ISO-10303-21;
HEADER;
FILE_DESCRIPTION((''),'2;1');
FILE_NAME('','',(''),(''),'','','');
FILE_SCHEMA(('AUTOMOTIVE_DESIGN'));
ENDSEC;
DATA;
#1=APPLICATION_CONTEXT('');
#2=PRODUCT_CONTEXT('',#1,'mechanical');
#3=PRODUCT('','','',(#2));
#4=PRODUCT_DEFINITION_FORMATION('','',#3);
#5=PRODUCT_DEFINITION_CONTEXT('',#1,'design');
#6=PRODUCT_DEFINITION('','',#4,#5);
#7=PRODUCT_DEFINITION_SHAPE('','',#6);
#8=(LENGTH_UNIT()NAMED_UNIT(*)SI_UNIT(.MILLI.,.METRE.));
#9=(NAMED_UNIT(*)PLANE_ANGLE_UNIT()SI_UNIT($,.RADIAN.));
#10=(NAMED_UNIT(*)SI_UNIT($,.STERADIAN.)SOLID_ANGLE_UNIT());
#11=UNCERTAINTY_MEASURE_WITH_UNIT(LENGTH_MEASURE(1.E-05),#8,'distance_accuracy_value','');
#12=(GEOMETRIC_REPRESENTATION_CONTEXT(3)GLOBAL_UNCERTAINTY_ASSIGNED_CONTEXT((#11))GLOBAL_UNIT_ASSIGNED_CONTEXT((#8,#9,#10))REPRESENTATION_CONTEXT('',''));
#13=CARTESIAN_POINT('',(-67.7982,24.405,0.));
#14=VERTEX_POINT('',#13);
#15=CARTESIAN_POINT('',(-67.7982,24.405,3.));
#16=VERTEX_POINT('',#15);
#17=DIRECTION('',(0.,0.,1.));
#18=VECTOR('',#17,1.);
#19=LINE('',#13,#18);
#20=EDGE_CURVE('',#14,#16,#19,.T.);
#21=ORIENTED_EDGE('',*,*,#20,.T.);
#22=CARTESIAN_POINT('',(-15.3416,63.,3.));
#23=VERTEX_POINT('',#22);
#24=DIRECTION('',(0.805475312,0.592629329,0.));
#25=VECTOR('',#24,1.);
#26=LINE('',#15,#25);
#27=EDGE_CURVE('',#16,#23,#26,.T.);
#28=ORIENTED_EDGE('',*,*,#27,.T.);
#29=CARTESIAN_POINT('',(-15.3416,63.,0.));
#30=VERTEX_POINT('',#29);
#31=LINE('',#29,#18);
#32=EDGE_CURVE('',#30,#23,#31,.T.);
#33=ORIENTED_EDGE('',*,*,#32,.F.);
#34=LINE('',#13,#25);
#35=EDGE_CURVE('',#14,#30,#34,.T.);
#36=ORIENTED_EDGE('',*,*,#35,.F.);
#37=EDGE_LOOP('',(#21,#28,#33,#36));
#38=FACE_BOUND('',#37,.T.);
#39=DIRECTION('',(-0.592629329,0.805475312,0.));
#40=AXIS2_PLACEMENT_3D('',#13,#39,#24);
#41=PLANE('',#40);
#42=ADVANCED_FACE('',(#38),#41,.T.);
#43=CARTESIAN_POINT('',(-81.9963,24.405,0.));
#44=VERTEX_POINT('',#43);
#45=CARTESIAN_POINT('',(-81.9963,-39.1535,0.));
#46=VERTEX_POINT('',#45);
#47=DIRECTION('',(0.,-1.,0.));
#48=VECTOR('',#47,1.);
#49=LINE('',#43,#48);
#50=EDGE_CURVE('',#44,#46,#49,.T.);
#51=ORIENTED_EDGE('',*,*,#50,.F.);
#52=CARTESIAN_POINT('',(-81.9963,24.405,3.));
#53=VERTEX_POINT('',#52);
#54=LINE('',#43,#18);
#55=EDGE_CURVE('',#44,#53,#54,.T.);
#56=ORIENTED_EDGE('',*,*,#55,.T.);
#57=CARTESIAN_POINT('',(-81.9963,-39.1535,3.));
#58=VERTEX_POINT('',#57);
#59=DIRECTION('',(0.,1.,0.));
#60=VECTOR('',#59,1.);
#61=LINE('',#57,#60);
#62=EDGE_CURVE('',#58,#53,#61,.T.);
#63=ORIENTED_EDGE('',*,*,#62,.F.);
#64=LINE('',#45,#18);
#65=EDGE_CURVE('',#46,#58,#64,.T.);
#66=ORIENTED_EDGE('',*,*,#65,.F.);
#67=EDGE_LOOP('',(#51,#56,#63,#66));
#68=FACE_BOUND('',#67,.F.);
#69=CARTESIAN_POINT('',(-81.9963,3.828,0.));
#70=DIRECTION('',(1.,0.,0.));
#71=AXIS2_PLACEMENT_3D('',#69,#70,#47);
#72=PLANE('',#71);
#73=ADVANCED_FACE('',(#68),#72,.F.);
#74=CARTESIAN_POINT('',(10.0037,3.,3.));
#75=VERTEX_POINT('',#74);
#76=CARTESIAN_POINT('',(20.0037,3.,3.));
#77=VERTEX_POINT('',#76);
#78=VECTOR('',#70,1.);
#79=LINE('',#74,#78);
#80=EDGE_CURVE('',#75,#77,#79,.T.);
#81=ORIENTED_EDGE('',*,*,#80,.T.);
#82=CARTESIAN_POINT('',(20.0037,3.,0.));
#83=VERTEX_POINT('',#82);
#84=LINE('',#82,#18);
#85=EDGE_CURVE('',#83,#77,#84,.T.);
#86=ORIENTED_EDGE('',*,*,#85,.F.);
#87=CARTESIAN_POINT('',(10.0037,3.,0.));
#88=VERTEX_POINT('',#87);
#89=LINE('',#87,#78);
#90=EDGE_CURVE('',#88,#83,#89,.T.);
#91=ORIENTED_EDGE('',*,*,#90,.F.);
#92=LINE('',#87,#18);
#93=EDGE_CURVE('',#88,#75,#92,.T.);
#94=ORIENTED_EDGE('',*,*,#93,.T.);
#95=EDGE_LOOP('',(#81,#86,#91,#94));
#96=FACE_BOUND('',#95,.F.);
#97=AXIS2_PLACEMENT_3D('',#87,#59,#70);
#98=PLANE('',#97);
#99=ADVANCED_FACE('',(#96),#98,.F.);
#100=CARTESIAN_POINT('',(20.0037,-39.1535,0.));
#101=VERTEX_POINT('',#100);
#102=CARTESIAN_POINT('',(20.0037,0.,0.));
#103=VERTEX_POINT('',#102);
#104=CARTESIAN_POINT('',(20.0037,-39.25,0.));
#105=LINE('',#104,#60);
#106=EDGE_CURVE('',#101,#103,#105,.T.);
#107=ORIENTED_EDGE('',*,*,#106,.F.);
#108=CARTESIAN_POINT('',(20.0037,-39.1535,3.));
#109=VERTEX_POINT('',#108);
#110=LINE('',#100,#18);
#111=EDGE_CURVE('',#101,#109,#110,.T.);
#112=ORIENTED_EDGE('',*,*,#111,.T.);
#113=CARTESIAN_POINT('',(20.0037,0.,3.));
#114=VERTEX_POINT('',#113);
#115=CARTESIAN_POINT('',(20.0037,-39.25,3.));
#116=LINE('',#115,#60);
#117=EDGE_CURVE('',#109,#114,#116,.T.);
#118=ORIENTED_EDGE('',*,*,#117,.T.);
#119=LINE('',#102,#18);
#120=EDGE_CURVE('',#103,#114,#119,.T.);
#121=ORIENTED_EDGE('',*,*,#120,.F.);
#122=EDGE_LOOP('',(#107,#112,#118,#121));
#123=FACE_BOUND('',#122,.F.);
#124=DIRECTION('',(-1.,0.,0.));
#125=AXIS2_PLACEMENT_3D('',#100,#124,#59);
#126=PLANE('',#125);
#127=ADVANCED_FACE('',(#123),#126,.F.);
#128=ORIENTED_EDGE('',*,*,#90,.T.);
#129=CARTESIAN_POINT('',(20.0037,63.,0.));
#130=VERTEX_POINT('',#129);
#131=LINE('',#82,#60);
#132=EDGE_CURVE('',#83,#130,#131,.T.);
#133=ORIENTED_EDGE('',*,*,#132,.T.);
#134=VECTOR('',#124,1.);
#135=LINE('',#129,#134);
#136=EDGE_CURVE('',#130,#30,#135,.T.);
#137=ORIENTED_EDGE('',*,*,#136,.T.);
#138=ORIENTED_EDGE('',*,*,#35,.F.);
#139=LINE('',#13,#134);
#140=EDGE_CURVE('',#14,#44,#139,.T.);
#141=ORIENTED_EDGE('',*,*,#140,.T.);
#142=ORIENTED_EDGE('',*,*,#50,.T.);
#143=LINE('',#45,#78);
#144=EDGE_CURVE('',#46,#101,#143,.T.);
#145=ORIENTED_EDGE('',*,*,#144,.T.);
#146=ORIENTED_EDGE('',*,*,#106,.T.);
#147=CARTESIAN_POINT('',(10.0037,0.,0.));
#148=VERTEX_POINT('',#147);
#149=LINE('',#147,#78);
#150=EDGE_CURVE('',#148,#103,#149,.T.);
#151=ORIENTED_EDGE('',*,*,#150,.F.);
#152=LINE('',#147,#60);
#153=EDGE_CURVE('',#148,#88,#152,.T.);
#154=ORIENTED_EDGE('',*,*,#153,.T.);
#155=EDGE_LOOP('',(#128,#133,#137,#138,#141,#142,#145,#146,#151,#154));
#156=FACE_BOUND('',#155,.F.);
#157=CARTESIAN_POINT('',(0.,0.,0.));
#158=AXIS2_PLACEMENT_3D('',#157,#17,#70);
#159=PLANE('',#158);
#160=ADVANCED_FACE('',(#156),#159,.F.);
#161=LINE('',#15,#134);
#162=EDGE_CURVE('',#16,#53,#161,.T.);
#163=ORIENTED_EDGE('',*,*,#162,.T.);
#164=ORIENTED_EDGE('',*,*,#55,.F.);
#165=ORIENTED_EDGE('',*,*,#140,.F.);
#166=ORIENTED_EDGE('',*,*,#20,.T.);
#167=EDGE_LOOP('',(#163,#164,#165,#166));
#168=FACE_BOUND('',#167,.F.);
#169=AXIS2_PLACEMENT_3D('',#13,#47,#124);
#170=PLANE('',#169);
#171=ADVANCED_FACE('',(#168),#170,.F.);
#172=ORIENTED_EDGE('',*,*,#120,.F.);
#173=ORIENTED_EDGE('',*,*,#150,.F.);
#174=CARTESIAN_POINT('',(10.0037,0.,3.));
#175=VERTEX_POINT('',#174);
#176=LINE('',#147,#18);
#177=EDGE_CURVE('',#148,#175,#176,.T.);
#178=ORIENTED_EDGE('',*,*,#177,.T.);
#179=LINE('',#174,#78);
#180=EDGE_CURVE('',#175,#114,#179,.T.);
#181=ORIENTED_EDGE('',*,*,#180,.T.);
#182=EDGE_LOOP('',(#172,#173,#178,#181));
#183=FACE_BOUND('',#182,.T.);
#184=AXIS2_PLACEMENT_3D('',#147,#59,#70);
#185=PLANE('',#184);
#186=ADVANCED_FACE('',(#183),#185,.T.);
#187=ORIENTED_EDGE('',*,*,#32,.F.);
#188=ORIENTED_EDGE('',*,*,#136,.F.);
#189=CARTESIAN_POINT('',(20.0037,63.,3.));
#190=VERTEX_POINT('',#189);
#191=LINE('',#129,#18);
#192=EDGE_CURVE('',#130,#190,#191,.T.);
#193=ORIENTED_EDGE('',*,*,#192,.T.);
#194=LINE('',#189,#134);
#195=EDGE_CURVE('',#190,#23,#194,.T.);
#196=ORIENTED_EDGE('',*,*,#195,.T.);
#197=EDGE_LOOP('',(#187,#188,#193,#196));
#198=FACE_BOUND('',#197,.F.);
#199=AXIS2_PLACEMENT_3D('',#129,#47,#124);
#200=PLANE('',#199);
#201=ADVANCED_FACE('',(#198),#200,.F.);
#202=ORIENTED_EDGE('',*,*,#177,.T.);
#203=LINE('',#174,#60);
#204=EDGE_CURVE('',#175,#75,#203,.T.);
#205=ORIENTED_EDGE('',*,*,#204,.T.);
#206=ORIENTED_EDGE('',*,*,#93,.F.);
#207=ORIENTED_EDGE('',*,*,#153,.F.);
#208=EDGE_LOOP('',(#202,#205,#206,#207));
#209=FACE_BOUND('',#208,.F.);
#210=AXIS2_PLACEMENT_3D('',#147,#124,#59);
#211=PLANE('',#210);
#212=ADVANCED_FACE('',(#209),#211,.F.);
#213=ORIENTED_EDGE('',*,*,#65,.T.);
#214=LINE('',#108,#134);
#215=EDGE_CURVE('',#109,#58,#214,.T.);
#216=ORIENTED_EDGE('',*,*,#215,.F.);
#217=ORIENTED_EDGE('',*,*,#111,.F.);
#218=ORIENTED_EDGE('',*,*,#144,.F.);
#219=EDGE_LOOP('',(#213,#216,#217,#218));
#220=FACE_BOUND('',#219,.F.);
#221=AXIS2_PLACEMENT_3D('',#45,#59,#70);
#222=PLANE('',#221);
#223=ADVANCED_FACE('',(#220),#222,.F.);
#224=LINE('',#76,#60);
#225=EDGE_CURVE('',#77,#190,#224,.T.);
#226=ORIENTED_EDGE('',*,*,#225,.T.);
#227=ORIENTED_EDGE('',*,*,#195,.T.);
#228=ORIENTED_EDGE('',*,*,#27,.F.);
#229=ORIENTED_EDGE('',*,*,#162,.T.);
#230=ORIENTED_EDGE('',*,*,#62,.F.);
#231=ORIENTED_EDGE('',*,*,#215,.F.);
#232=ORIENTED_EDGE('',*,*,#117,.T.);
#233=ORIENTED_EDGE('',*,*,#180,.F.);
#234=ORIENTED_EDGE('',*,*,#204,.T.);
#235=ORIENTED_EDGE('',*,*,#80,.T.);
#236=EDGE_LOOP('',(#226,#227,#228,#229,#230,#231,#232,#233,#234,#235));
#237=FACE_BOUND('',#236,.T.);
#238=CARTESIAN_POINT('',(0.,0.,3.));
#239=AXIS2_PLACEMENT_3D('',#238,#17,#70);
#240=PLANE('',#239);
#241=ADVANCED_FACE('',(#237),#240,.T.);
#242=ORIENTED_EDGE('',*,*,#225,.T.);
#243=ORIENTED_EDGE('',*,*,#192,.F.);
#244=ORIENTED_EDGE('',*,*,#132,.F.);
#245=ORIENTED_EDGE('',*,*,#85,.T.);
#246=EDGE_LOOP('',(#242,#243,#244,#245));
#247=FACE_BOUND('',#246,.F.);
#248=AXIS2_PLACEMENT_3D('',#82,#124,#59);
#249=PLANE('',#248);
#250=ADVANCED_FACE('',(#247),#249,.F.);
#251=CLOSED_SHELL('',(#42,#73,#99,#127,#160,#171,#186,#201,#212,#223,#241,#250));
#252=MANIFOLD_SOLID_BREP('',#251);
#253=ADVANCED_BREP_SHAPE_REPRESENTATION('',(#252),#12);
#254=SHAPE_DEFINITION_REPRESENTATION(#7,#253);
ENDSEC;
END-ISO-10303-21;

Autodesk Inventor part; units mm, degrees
ref_plane "YZ Plane" through (0, 0, 0) normal (1, 0, 0) x (0, 1, 0)
ref_plane "XZ Plane" through (0, 0, 0) normal (0, 1, 0) x (-1, 0, 0)
ref_plane "XY Plane" through (0, 0, 0) normal (0, 0, 1) x (1, 0, 0)
sketch "Sketch1" plane through (0, 0, 0) normal (0, 0, 1) x (1, 0, 0)
  line L0 (-54.0392, -39.25) -> (20.0037, -39.25)
  line L1 (10.0037, 0) -> (10.0037, 3)
  line L2 (10.0037, 0) -> (20.0037, 0)
  line L3 (10.0037, 3) -> (20.0037, 3)
  line L4 (10.0037, 0) -> (10.0037, 3)
  line L5 (10.0037, 0) -> (20.0037, 0)
  line L6 (20.0037, -39.25) -> (20.0037, 0)
  line L7 (20.0037, 3) -> (20.0037, 63)
  arc A0 (-54.0392, -39.25) -> (-53.6, -39.1535) centre (-67.7982, 24.405) ccw
  line L8 (20.0037, 63) -> (-15.3416, 63)
  line L9 (-54.0392, -39.25) -> (20.0037, -39.25) projected
  line L10 (20.0037, 3) -> (20.0037, 63) projected
  line L11 (20.0037, 63) -> (-15.3416, 63)
  line L12 (-81.9963, 3.828) -> (-81.9963, -39.1535)
  line L13 (-81.9963, -39.1535) -> (20.0037, -39.1535)
  line L14 (20.0037, -39.1535) -> (20.0037, 63)
  line L15 (-67.7982, 24.405) -> (-15.3416, 63)
  line L16 (-67.7982, 24.405) -> (-81.9963, 24.405)
  line L17 (-81.9963, 3.828) -> (-81.9963, 24.405)
  line L18 (-75.3539, 18.905) -> (-59.7432, 18.905) projected
  arc A1 (-75.3539, 18.905) -> (-75.3539, 1.905) centre (-67.4236, 10.405) ccw projected
  arc A2 (-59.7432, 1.905) -> (-59.7432, 18.905) centre (-67.6736, 10.405) ccw projected
  line L19 (-59.7432, 1.905) -> (-75.3539, 1.905) projected
  point P0 (0, 0)
  point P1 (10.0037, 1.5)
  point P2 (15.8221, 3)
  point P3 (31.7678, 19.4235)
  point P4 (31.6403, 19.4235)
  point P5 (31.6403, 19.4235)
  point P6 (20.0037, -39.1535)
  dimension "d2" = 35.3453
  dimension "d3" = 10
  dimension "d4" = 10
  dimension "d14" = 63.655
  dimension "d15" = 87.8019
  dimension "d16" = 0
  dimension "d17" = 0
  dimension "d18" = 3
  dimension "d19" = 60
  dimension "d20" = 102
extrude "Extrusion1" add sketch "Sketch1" along normal blind 3 contours L13 L12 L17 L16 L15 L8 L7 L3 L1 L2 L6 | L18 A2 L19 A1
properties part number "lr"
